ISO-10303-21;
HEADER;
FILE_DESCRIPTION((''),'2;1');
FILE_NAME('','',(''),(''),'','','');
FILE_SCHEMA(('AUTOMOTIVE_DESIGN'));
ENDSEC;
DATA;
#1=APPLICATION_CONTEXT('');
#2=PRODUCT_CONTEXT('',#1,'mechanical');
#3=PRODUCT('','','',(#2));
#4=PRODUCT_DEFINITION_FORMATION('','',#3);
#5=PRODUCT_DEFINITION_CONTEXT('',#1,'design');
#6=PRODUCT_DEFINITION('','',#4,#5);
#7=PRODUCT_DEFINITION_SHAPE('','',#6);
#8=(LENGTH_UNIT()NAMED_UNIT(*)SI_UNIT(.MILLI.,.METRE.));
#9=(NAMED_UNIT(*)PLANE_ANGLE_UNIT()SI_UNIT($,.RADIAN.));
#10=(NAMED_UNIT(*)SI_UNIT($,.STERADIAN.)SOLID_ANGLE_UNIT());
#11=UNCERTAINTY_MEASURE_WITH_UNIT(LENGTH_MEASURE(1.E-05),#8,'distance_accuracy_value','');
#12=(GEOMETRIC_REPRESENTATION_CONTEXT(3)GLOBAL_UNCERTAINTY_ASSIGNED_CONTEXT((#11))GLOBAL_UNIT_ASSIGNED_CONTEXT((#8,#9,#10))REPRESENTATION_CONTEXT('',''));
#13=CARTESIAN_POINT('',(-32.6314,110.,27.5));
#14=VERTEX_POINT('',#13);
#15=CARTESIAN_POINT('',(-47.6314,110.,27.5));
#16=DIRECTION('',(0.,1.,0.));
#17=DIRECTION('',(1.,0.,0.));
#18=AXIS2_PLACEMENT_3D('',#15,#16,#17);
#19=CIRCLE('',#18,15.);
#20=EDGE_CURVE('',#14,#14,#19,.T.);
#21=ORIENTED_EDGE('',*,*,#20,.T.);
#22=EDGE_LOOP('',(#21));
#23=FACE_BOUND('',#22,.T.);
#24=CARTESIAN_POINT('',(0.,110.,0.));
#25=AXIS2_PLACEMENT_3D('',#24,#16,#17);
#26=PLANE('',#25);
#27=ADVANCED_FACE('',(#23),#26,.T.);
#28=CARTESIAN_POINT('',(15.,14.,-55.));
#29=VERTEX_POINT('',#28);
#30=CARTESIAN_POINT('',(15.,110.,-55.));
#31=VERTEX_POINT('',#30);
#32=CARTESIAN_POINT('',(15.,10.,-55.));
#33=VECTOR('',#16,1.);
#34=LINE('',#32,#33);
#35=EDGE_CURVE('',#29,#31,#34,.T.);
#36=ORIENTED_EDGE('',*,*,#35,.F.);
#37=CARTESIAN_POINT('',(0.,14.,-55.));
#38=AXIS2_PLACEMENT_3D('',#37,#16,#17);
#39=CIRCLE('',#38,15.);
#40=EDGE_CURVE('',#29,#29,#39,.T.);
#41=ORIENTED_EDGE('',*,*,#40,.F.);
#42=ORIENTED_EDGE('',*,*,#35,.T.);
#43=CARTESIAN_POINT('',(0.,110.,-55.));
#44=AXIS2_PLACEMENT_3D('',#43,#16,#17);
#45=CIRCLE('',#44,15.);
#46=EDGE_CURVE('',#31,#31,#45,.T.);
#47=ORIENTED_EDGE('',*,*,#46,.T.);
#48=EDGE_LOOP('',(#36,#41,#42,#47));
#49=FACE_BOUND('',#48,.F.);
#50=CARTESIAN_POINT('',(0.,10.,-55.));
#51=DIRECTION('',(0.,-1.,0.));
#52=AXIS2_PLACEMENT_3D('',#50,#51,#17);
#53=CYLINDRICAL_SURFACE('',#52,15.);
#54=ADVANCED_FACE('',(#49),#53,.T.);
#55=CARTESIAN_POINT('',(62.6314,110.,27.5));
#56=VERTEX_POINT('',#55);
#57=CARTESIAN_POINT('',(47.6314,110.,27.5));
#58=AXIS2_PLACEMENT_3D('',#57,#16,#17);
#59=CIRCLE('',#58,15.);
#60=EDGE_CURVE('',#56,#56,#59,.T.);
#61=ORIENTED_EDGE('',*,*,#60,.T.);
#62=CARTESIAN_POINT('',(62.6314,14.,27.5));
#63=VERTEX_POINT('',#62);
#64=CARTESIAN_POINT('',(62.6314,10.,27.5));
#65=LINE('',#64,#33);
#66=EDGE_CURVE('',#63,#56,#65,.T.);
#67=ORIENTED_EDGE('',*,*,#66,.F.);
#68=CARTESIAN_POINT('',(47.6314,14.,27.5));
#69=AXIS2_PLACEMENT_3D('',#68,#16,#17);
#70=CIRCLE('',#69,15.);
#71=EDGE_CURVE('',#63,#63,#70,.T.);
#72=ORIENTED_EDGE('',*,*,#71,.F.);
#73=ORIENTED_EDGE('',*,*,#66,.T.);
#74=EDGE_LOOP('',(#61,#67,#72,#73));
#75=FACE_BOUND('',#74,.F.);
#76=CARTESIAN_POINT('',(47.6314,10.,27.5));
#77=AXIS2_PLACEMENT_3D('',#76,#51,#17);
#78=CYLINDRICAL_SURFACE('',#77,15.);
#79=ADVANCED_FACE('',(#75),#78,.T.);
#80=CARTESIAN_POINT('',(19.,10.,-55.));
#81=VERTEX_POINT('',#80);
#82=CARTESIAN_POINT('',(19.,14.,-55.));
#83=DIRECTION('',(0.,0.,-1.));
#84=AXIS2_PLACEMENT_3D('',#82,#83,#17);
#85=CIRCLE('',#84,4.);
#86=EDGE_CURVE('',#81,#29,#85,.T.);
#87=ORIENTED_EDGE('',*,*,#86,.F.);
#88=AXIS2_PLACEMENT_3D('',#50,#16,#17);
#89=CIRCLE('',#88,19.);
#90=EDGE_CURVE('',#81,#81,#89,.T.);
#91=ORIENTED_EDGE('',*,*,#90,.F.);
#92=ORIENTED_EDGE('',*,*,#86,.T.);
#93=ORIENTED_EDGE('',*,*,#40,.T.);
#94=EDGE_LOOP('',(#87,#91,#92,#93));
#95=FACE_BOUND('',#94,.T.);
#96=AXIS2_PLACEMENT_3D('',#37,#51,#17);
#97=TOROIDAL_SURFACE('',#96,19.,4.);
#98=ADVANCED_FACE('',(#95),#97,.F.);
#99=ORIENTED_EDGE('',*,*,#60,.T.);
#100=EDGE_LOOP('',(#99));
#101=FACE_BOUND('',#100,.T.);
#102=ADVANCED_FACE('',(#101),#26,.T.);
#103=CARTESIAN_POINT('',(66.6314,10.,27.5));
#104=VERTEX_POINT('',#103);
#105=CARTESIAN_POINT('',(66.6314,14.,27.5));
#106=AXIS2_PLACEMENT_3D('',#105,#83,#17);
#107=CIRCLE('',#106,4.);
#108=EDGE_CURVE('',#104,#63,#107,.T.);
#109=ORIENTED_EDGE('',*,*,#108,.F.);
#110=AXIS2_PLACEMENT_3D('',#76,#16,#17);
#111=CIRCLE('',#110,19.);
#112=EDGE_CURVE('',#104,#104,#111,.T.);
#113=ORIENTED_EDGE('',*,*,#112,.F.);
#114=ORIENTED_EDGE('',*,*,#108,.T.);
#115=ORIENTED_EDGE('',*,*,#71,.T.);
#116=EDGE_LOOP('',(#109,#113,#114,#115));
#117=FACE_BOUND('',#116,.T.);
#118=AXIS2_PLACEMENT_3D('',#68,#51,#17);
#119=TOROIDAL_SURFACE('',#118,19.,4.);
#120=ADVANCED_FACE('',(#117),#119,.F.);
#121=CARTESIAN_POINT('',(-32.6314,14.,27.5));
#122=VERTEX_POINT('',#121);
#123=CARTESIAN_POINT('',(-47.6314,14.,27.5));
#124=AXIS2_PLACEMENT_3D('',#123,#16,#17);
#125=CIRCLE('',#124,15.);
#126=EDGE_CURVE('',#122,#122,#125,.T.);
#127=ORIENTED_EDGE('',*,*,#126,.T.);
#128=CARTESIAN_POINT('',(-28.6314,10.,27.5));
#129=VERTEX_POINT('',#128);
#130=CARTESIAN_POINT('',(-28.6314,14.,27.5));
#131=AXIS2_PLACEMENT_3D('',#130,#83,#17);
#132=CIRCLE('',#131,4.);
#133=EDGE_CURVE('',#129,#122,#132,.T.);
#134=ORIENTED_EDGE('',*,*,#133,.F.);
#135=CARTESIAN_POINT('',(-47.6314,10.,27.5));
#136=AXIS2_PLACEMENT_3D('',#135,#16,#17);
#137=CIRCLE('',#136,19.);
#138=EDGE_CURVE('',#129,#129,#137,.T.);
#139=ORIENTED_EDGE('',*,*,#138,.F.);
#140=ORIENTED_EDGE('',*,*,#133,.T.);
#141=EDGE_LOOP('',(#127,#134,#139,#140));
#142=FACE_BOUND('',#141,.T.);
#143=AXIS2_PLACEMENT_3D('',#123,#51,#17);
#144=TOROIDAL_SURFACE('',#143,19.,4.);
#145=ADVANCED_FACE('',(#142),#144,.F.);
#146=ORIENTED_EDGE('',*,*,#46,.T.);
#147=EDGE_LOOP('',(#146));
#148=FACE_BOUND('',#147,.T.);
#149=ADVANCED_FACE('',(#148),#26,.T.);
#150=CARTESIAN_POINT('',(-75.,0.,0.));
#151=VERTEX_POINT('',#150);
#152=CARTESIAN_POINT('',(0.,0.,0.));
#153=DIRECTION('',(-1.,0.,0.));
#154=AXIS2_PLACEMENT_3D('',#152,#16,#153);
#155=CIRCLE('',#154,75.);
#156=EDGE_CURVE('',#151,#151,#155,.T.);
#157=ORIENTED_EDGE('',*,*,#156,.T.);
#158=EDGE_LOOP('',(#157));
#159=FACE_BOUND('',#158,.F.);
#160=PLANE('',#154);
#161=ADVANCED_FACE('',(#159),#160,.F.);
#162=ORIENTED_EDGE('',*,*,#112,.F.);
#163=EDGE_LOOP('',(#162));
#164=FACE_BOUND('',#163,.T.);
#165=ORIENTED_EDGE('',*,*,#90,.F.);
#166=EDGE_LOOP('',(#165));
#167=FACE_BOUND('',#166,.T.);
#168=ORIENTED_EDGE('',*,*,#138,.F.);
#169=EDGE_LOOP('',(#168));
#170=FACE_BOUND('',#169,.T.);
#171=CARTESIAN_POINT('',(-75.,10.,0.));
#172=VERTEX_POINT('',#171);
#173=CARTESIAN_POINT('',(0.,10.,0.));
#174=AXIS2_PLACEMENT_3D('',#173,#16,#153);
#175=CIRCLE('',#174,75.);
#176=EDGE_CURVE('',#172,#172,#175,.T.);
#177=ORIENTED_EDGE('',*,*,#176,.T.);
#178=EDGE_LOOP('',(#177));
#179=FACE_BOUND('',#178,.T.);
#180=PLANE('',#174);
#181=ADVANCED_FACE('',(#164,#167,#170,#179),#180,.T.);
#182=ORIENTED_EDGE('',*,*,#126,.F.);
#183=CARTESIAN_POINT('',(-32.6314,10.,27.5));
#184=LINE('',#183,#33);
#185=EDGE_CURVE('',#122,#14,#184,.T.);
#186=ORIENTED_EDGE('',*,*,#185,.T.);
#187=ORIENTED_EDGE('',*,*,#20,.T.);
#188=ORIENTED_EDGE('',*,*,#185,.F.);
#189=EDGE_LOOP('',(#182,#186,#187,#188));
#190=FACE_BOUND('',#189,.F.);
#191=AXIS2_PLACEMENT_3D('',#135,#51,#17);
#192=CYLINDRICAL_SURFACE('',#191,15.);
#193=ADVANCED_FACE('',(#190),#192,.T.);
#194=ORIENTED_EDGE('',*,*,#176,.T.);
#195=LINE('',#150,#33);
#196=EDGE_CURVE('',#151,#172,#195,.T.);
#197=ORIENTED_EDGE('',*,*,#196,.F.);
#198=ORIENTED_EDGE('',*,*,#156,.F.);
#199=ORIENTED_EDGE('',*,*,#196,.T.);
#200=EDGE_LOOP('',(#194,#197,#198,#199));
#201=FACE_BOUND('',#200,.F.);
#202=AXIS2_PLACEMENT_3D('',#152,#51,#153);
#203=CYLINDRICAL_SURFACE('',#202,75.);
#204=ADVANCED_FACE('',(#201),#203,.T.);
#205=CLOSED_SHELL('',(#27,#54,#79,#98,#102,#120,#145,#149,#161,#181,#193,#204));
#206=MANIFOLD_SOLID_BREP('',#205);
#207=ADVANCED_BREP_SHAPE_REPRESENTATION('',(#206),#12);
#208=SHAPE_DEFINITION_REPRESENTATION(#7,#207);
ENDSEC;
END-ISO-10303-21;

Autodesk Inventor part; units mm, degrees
ref_plane "YZ Plane" through (0, 0, 0) normal (1, 0, 0) x (0, 1, 0)
ref_plane "XZ Plane" through (0, 0, 0) normal (0, 1, 0) x (-1, 0, 0)
ref_plane "XY Plane" through (0, 0, 0) normal (0, 0, 1) x (1, 0, 0)
sketch "スケッチ1" plane through (0, 0, 0) normal (0, 1, 0) x (-1, 0, 0)
  circle A0 centre (0, 0) radius 75
  dimension "d0" = 150
extrude "押し出し1" add sketch "スケッチ1" along normal blind 10
sketch "スケッチ2" plane through (0, 10, 0) normal (0, 1, 0) x (1, 0, 0)
  circle A0 centre (0, 55) radius 15
  circle A1 centre (-47.6314, -27.5) radius 15
  circle A2 centre (47.6314, -27.5) radius 15
  point P0 (0, 0)
  dimension "d3" = 30
  dimension "d4" = 55
  dimension "d7" = 360
extrude "押し出し2" add sketch "スケッチ2" along normal blind 100
fillet "フィレット1" radius 4 3 edges at (-62.6314, 10, 27.5) (32.6314, 10, 27.5) (-15, 10, -55)
